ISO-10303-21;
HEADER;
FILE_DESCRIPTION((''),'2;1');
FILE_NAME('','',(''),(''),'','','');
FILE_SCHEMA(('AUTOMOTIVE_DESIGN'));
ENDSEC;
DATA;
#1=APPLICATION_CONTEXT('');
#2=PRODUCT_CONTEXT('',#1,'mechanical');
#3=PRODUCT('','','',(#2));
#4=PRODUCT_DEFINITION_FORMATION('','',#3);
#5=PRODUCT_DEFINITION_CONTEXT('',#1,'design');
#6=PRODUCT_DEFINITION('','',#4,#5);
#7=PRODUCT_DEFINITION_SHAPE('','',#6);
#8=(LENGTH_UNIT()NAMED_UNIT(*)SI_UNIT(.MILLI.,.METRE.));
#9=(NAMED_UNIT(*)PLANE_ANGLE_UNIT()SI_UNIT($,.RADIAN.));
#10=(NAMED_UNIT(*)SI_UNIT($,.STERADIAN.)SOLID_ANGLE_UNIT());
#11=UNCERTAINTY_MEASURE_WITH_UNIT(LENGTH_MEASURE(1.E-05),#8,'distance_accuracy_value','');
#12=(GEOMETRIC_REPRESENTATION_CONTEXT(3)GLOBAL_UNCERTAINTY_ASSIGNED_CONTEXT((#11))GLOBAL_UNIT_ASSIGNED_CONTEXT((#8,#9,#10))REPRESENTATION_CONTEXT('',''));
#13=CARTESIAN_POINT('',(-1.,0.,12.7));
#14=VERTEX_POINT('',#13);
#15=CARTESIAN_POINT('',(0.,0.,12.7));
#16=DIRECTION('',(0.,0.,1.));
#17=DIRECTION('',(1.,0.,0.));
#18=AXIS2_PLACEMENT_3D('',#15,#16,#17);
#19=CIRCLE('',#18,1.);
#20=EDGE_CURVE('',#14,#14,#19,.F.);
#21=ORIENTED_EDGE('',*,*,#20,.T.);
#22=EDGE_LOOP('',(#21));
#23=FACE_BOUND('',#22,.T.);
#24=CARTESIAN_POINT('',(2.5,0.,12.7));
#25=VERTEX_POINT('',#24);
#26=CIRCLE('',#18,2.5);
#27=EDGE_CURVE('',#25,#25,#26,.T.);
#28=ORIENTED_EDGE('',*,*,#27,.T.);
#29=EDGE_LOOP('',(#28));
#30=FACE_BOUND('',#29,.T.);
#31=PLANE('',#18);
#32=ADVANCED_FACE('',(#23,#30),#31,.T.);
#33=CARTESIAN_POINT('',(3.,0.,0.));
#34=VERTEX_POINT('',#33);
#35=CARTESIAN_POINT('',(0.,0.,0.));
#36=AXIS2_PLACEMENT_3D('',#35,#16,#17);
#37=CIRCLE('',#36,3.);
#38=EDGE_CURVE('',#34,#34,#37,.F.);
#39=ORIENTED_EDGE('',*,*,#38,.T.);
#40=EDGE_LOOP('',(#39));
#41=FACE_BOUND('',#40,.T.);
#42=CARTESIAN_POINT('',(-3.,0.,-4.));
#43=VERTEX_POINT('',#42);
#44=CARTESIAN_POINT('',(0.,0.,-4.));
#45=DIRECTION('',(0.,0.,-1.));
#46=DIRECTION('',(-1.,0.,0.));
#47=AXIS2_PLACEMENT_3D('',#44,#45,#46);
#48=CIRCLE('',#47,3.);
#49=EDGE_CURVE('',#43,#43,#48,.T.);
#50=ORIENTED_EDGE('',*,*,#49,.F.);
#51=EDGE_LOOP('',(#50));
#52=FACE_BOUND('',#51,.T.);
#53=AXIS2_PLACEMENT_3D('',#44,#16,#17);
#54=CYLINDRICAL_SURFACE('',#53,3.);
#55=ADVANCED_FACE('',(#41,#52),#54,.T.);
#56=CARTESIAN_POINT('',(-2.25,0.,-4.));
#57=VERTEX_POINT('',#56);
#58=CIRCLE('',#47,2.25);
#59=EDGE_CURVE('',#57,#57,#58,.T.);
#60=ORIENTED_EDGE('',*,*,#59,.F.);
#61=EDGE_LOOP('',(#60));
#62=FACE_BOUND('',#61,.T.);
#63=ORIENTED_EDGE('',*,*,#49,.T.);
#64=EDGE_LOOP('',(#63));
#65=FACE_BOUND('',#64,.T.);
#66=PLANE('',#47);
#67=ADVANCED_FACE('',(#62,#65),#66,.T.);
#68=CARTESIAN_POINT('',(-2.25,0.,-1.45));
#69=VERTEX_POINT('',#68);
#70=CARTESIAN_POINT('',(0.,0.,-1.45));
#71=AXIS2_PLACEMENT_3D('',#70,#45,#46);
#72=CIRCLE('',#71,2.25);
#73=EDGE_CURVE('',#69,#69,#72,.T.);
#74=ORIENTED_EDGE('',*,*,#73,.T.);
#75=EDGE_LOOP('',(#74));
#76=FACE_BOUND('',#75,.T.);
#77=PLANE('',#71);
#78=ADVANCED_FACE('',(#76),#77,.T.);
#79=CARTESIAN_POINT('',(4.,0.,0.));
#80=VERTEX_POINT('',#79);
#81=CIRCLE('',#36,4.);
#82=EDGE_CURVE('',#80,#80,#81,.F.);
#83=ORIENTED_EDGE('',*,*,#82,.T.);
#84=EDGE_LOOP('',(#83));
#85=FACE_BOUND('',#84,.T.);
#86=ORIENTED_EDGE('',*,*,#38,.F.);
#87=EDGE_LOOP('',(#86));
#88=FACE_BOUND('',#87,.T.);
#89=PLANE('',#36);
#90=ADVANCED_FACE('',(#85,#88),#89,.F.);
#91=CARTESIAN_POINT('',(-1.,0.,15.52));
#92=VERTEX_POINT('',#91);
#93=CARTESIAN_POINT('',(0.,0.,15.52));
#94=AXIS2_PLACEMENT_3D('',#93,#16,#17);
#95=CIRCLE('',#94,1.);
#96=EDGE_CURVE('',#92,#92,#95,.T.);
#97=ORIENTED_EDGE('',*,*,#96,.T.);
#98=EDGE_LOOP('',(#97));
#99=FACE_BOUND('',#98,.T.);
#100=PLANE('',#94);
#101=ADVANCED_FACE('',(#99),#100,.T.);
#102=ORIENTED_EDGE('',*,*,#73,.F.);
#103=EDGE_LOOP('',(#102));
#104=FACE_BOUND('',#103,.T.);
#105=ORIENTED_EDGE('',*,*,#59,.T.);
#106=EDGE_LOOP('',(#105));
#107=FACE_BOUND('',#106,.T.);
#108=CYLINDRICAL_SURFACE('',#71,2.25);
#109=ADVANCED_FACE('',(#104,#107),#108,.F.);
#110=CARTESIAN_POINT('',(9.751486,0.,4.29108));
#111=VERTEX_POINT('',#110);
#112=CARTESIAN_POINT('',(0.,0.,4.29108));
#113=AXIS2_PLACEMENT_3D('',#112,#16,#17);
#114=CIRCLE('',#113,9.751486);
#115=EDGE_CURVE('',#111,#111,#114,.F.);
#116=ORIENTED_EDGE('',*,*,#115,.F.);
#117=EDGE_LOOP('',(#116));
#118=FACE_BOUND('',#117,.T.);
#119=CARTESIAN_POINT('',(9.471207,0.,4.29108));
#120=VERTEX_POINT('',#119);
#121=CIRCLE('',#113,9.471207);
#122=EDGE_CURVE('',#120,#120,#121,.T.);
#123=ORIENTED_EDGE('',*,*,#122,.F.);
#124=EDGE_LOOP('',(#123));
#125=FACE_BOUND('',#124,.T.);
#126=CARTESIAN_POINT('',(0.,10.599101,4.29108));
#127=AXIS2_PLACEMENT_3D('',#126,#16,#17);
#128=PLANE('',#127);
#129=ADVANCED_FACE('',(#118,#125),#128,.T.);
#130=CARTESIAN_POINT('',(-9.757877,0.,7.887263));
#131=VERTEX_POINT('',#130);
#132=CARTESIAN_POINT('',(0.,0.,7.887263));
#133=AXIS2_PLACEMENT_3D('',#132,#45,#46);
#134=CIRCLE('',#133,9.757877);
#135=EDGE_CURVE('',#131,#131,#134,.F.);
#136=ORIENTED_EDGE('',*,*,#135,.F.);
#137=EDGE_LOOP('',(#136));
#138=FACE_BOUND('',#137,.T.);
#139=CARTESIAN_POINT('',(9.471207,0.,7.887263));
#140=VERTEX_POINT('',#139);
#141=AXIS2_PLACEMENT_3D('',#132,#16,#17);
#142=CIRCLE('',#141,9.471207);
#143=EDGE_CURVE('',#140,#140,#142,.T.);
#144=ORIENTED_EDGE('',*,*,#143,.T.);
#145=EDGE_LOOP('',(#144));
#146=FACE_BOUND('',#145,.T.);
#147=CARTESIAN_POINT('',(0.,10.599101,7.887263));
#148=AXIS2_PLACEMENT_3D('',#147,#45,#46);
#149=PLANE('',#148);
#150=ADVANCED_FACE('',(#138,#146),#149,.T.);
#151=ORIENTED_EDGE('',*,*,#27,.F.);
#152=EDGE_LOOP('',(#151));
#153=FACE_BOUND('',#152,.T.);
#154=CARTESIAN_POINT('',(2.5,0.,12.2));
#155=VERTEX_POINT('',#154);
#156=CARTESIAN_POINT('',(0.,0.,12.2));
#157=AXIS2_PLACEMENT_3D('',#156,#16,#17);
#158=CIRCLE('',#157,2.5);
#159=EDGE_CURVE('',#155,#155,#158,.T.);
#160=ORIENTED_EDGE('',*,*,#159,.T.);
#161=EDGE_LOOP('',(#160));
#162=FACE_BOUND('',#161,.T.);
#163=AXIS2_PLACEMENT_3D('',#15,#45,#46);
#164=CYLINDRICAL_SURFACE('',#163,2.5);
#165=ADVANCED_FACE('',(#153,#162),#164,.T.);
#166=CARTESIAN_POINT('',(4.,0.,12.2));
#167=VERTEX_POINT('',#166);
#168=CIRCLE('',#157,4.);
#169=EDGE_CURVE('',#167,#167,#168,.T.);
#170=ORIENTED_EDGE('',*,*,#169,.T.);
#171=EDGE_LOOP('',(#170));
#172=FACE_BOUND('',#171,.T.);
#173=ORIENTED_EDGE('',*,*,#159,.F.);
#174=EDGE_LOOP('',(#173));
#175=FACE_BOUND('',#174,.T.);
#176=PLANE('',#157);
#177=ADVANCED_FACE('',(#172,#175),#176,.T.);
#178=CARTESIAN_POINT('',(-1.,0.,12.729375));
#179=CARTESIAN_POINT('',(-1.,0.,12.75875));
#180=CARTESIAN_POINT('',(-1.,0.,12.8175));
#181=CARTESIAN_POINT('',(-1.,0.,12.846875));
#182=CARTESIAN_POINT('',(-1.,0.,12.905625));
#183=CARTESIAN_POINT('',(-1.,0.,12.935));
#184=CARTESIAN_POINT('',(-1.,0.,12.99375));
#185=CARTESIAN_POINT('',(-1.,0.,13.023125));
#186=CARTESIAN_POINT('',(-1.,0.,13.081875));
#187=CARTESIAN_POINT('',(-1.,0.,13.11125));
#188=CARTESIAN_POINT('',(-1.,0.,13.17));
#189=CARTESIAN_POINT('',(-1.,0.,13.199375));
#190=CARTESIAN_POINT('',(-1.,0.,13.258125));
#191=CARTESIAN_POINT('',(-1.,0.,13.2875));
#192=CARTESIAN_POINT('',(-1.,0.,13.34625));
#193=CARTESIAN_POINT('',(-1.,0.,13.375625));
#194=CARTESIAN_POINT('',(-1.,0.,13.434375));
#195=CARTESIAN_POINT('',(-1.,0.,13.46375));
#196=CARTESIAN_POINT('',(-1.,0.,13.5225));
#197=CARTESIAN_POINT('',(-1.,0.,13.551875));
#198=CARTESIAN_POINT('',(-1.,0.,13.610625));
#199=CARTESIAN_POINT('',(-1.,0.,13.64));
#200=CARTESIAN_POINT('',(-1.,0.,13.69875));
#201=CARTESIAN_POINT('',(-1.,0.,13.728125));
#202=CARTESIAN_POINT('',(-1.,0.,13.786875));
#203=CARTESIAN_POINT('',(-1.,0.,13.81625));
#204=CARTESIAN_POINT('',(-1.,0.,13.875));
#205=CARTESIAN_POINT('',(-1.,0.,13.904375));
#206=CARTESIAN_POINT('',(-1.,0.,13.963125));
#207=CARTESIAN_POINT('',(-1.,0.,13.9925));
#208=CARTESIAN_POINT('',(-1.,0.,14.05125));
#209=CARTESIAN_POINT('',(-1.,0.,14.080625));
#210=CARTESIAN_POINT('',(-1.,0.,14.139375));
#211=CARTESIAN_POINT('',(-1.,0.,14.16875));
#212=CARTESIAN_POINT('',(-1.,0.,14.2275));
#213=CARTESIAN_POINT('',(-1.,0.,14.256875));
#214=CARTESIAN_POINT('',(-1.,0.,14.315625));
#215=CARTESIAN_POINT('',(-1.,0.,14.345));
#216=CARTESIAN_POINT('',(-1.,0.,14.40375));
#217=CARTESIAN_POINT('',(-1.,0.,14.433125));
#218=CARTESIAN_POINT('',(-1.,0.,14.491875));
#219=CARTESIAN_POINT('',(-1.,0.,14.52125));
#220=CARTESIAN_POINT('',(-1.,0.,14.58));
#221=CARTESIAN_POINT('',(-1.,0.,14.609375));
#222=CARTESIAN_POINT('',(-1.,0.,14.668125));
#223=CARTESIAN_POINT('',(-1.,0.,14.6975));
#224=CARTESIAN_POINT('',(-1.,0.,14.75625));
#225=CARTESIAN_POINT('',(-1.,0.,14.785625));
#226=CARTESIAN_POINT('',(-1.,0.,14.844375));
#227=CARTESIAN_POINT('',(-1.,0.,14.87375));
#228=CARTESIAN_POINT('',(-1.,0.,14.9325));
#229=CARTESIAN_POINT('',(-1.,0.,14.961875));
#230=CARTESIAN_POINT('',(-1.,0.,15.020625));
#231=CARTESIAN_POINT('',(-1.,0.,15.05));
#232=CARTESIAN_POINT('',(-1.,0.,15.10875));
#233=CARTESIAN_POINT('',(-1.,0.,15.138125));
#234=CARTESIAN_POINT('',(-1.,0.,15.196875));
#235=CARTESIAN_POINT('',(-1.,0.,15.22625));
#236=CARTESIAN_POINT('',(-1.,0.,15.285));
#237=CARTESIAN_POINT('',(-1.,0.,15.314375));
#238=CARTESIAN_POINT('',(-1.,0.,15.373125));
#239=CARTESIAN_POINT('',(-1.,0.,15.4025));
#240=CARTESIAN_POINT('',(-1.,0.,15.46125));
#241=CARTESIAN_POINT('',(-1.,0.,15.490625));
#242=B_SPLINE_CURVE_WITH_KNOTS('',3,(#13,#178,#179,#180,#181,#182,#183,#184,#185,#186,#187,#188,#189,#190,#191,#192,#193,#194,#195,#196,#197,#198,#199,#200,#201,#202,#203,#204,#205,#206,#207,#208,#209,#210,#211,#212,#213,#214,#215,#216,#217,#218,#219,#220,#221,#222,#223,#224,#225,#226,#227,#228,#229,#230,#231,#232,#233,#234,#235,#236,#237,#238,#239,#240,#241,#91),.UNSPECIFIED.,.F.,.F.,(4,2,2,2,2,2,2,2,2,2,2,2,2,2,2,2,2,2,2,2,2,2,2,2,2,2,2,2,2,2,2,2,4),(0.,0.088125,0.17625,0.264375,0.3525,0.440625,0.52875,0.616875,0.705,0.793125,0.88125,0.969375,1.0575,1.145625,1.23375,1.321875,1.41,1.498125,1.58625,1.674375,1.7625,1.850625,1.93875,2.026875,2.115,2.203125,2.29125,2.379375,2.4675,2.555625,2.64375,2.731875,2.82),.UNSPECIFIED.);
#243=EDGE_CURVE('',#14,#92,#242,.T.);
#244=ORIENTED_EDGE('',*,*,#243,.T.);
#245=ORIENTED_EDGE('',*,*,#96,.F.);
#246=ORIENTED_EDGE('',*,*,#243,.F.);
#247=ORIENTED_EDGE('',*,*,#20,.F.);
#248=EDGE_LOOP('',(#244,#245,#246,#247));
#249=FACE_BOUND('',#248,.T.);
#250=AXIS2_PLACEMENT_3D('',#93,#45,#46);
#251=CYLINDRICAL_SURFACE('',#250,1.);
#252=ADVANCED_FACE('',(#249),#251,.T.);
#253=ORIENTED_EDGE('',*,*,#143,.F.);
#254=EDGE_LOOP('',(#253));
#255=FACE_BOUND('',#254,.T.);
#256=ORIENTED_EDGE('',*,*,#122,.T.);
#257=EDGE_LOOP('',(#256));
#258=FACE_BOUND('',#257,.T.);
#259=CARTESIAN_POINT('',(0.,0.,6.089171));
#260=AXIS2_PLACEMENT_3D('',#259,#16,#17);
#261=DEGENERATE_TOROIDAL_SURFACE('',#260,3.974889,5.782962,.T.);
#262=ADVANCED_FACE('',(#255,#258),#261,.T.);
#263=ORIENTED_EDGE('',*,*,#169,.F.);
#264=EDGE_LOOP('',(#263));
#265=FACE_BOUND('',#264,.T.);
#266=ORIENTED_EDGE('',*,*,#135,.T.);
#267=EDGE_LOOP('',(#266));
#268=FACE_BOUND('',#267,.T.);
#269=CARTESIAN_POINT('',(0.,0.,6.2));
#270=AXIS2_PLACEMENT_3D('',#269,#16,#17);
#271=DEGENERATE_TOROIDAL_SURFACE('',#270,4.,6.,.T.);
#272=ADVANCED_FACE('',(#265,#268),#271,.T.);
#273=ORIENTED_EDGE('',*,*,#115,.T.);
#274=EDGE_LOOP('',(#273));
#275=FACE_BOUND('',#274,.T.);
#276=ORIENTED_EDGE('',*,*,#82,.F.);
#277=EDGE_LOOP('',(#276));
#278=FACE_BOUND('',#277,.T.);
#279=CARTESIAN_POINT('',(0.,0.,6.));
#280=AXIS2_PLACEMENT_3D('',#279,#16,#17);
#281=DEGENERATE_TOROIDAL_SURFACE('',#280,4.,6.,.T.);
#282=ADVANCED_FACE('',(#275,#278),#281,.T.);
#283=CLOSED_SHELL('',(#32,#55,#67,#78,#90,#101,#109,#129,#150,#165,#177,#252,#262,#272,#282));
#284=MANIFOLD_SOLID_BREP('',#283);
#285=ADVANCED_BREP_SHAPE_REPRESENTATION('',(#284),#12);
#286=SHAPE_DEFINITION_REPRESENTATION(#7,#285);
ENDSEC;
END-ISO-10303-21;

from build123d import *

# Parameters (mm, degrees)
SKETCH1_R           = 10
BOSS_EXTRUDE1_DEPTH = 12.2
SKETCH4_R           = 2.5
BOSS_EXTRUDE3_DEPTH = 0.5
SKETCH5_R           = 1
BOSS_EXTRUDE4_DEPTH = 3.32
FILLET1_R           = 6
SKETCH2_R           = 3
BOSS_EXTRUDE2_DEPTH = 4
SKETCH6_R           = 2.25
CUT_EXTRUDE1_DEPTH  = 2.55


with BuildPart() as part:
    # Sketch1 → Boss-Extrude1 (new body)
    with BuildSketch(Plane.XY):
        Circle(SKETCH1_R)
    extrude(amount=BOSS_EXTRUDE1_DEPTH)

    # Sketch4 → Boss-Extrude3 (add)
    with BuildSketch(Plane.XY.offset(12.2)):
        Circle(SKETCH4_R)
    extrude(amount=BOSS_EXTRUDE3_DEPTH)

    # Sketch5 → Boss-Extrude4 (add)
    with BuildSketch(Plane.XY.offset(12.2)):
        with Locations(Location((0, 0, 0), (0, 0, 180))):
            Circle(SKETCH5_R)
    extrude(amount=BOSS_EXTRUDE4_DEPTH)

    # Fillet1
    fillet1_edges = [part.edges().sort_by_distance(p)[0] for p in [
        (-10, 0, 0),
        (-10, 0, 12.2),
    ]]
    fillet(fillet1_edges, radius=FILLET1_R)

    # Sketch2 → Boss-Extrude2 (add)
    with BuildSketch(Plane(origin=(0, 0, 0), x_dir=(-1, 0, 0), z_dir=(0, 0, -1))):
        with Locations(Location((0, 0, 0), (0, 0, 180))):
            Circle(SKETCH2_R)
    extrude(amount=BOSS_EXTRUDE2_DEPTH)

    # Sketch6 → Cut-Extrude1 (cut)
    with BuildSketch(Plane(origin=(0, 0, -4), x_dir=(-1, 0, 0), z_dir=(0, 0, -1))):
        Circle(SKETCH6_R)
    extrude(amount=-CUT_EXTRUDE1_DEPTH, mode=Mode.SUBTRACT)

    # Sketch7 → Cut-Revolve1 (revolve, cut)
    with BuildSketch(Plane(origin=(0, 0, 0), x_dir=(0, 0, -1), z_dir=(1, 0, 0)), mode=Mode.PRIVATE) as cut_revolve1_sk:
        with BuildLine():
            Line((-7.887262955, 10.599100827), (-4.29107992, 10.599100827))
            Line((-4.29107992, 10.599100827), (-4.29107992, 9.471207056))
            ThreePointArc((-4.29107992, 9.471207056), (-6.089171437, 9.757850623), (-7.887262955, 9.471207056))
            Line((-7.887262955, 9.471207056), (-7.887262955, 10.599100827))
        make_face()
    revolve(cut_revolve1_sk.sketch.rotate(Axis((0, 0, 15.193399994), (0, 0, -1)), 90), axis=Axis((0, 0, 15.193399994), (0, 0, -1)), mode=Mode.SUBTRACT)


solid = part.part
